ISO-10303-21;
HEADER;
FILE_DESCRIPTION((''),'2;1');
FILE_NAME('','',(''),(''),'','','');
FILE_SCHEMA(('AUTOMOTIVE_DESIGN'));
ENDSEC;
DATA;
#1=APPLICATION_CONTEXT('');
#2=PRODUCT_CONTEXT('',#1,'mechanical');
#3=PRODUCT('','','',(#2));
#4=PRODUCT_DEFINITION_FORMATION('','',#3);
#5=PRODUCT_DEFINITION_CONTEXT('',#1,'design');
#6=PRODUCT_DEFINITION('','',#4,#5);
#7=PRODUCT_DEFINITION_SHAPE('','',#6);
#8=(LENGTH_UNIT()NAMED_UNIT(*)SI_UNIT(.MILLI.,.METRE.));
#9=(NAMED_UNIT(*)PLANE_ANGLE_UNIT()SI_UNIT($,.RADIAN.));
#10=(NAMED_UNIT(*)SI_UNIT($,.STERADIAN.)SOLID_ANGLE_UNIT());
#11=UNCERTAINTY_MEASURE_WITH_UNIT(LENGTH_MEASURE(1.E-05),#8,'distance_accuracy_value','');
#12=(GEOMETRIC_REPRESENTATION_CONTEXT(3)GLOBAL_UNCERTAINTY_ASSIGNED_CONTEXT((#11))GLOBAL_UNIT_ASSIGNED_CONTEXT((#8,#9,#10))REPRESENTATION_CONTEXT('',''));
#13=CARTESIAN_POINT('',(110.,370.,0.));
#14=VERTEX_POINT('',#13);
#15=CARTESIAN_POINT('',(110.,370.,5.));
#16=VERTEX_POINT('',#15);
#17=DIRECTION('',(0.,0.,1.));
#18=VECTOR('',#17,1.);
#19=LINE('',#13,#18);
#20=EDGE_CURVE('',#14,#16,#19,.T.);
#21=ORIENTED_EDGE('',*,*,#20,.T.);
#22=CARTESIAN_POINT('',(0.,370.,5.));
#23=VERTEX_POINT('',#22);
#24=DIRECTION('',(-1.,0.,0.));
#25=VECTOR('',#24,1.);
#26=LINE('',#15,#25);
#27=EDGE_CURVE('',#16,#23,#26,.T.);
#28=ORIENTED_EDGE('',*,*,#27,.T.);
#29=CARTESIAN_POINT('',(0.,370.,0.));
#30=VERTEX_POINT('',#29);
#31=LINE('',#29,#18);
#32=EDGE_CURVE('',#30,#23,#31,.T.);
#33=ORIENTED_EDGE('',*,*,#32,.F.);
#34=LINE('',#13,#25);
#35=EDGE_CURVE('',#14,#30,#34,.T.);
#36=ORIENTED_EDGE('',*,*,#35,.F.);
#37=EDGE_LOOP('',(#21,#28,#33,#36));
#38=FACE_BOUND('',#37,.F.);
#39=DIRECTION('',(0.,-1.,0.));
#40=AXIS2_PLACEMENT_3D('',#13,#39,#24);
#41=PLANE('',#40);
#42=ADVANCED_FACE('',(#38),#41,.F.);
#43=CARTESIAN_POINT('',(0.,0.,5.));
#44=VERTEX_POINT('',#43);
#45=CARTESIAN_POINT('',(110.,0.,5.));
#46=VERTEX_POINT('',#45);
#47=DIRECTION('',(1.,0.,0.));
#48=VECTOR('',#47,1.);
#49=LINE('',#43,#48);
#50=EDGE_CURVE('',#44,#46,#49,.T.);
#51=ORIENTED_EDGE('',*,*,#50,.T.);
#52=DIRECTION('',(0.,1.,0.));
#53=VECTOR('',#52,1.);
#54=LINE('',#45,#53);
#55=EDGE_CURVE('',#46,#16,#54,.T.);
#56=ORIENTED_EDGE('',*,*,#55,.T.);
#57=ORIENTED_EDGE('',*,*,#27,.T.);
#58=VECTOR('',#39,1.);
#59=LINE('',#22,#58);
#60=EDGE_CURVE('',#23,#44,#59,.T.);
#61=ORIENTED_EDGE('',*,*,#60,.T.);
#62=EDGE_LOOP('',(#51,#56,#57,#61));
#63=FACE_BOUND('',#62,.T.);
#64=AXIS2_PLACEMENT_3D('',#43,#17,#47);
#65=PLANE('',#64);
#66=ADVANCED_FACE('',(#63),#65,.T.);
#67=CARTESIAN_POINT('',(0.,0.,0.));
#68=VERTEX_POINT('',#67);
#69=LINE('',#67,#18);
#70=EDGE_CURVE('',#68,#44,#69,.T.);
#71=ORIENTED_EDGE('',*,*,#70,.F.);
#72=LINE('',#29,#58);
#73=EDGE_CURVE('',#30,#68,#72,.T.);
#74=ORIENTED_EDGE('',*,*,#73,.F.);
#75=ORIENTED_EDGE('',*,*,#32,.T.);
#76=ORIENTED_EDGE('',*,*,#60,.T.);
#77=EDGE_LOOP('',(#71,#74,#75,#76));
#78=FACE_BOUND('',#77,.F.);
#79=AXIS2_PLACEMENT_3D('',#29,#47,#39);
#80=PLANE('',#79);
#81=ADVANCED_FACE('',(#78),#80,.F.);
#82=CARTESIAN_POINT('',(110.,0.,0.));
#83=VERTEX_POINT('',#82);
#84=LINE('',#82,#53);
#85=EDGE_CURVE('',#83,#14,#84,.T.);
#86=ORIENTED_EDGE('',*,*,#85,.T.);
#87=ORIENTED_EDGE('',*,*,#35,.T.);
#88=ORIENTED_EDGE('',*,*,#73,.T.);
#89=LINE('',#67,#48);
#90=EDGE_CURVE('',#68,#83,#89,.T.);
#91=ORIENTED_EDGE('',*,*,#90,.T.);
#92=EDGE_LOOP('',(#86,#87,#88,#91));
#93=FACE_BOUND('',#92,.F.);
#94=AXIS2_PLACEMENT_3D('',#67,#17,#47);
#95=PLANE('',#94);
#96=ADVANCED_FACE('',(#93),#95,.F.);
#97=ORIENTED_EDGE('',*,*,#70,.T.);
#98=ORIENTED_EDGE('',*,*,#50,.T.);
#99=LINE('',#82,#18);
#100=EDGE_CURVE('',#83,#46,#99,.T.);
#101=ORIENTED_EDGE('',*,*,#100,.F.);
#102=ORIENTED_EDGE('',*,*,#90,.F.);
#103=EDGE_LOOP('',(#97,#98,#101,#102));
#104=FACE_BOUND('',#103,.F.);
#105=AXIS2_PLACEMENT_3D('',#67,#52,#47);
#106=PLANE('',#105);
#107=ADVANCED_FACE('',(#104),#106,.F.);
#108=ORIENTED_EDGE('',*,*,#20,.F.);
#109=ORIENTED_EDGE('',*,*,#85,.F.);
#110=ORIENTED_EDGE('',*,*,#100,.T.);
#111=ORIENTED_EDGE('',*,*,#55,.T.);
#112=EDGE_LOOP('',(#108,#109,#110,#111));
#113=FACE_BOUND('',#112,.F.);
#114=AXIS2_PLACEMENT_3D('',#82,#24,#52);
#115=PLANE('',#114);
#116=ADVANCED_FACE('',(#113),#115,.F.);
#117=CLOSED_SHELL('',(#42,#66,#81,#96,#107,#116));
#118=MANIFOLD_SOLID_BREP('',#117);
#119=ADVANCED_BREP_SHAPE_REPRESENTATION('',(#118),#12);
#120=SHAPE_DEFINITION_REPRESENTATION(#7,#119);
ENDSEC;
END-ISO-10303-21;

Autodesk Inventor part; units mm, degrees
ref_plane "YZ Plane" through (0, 0, 0) normal (1, 0, 0) x (0, 1, 0)
ref_plane "XZ Plane" through (0, 0, 0) normal (0, 1, 0) x (-1, 0, 0)
ref_plane "XY Plane" through (0, 0, 0) normal (0, 0, 1) x (1, 0, 0)
sketch "Sketch1" plane through (0, 0, 0) normal (0, 0, 1) x (1, 0, 0)
  line L0 (0, 0) -> (110, 0)
  line L1 (110, 0) -> (110, 370)
  line L2 (110, 370) -> (0, 370)
  line L3 (0, 370) -> (0, 0)
  dimension "d0" = 110
  dimension "d1" = 370
extrude "Extrusion1" add sketch "Sketch1" along normal blind 5
equation "\"d0\" = tankw + 2 * pvct"
equation "\"d1\" = tankh"
equation "\"d2\" = pvct"
equation "\"lcsd\" = 19.05"
equation "\"lcwd1\" = 25"
equation "\"lcwd2\" = 34"
equation "\"lch1\" = 39"
equation "\"lcwd3\" = 43"
equation "\"dia1\" = 6"
equation "\"td\" = 18"
equation "\"bhh\" = 6"
equation "\"sw\" = 25"
equation "\"sh\" = 31"
equation "\"spacert\" = 2"
equation "\"pvct\" = 5"
equation "\"tankh\" = 370"
equation "\"tankl\" = 379"
equation "\"dia3\" = 8"
equation "\"dia4\" = 11"
equation "\"play\" = 9"
equation "\"holeh\" = 26"
equation "\"surroundt\" = 5"
equation "\"slack\" = 0.5"
equation "\"play2\" = 3"
equation "\"diaoverflow\" = 25"
equation "\"diacucl\" = 32"
equation "\"diawater\" = 25"
equation "\"diaph\" = 32"
equation "\"diaair\" = 32"
equation "\"diasurroundhole\" = 42"
equation "\"diagrate\" = 12"
equation "\"gratespacing\" = 12.02082"
equation "\"sidedist\" = 13.9375"
equation "\"bottomdist\" = 9.6355"
equation "\"diahcl\" = 32"
equation "\"bracketwtop\" = 6"
equation "\"bracketwbottom\" = 6"
equation "\"nett\" = 1"
equation "\"nethole\" = 16"
equation "\"netside\" = 3.5"
equation "\"nettop\" = 7"
equation "\"netholespacing\" = 2"
equation "\"diaetape\" = 32"
equation "\"tankw\" = 100"
properties part number "tank_front" material "PVC-Piping"
